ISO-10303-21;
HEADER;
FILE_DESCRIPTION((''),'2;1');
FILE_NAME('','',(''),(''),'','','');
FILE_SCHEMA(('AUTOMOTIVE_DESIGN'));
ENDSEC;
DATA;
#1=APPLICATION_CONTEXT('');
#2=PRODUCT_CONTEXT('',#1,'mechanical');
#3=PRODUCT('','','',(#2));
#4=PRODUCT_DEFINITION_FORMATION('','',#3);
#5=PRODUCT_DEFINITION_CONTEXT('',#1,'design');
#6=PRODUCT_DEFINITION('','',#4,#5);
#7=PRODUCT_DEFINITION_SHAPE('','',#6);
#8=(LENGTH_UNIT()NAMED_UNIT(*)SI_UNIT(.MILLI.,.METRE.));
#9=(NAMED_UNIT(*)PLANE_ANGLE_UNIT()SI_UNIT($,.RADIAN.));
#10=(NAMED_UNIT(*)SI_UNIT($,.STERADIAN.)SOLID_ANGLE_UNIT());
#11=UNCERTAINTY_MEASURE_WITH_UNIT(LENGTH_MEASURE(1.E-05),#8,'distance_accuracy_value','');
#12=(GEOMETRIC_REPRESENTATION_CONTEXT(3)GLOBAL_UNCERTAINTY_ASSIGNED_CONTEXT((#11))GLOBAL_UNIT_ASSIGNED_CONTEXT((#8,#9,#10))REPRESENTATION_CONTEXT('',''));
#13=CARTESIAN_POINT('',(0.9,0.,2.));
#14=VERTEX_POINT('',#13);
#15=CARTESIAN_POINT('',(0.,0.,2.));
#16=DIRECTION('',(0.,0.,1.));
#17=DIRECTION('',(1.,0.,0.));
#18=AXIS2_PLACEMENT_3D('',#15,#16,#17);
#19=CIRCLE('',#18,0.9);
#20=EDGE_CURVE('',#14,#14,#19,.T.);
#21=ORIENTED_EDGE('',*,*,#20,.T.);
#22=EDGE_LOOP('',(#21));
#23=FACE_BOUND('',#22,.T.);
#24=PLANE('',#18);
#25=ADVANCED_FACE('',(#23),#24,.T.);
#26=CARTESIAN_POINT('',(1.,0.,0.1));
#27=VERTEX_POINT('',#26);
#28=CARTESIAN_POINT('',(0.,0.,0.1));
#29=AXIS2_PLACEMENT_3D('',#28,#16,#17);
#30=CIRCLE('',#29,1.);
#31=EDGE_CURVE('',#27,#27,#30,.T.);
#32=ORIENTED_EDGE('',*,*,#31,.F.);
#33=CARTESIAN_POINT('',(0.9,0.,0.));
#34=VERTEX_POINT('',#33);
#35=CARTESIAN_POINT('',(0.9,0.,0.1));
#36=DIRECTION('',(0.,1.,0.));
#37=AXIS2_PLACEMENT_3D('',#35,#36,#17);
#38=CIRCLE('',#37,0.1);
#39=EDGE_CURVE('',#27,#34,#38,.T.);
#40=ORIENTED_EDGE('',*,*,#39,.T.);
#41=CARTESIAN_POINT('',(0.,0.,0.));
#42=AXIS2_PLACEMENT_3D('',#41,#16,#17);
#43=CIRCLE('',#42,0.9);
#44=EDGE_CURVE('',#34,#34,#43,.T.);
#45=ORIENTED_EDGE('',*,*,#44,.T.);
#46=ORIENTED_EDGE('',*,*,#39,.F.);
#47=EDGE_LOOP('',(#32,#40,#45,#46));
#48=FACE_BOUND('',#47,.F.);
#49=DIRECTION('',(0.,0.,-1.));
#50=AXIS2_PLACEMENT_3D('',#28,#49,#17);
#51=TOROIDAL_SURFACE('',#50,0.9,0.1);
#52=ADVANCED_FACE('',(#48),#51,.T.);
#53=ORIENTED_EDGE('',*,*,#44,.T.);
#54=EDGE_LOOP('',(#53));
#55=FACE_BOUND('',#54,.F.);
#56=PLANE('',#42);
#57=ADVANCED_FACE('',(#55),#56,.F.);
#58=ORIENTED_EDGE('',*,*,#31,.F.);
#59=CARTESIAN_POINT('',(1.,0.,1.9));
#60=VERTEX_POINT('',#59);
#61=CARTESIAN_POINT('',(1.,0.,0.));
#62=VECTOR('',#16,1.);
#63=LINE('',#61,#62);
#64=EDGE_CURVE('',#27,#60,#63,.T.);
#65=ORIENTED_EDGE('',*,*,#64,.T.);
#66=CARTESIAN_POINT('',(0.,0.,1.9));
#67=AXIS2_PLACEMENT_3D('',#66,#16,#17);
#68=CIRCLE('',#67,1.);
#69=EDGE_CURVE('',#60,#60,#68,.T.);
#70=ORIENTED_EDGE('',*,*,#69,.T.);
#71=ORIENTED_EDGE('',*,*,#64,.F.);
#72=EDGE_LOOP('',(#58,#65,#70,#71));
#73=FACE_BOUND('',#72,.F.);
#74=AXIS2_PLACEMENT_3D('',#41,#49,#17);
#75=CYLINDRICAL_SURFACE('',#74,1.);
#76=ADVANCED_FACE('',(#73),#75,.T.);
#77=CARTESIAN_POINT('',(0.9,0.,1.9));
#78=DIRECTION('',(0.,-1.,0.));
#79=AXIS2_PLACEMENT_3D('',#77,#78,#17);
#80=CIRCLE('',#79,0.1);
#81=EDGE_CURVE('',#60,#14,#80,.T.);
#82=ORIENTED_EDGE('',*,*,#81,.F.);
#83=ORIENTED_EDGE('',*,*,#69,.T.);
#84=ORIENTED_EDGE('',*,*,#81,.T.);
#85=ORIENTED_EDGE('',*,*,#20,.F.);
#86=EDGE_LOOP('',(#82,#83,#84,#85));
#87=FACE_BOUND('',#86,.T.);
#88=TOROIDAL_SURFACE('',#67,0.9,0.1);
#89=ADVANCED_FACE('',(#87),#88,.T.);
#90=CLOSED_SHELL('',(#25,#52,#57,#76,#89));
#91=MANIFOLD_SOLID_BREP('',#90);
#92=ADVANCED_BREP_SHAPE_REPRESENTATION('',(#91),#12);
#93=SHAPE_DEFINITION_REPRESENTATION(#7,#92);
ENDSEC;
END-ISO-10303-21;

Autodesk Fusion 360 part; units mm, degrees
sketch "スケッチ1" plane through (0, 0, 0) normal (0, 0, 1) x (1, 0, 0)
  circle A0 centre (0, 0) radius 1
  dimension "d1" = 2
extrude "押し出し1" add sketch "スケッチ1" along normal blind 2
fillet "フィレット1" radius 0.1 2 edges at (-0.9323, -0.3616, 2) (-0.9323, -0.3616, 0)
